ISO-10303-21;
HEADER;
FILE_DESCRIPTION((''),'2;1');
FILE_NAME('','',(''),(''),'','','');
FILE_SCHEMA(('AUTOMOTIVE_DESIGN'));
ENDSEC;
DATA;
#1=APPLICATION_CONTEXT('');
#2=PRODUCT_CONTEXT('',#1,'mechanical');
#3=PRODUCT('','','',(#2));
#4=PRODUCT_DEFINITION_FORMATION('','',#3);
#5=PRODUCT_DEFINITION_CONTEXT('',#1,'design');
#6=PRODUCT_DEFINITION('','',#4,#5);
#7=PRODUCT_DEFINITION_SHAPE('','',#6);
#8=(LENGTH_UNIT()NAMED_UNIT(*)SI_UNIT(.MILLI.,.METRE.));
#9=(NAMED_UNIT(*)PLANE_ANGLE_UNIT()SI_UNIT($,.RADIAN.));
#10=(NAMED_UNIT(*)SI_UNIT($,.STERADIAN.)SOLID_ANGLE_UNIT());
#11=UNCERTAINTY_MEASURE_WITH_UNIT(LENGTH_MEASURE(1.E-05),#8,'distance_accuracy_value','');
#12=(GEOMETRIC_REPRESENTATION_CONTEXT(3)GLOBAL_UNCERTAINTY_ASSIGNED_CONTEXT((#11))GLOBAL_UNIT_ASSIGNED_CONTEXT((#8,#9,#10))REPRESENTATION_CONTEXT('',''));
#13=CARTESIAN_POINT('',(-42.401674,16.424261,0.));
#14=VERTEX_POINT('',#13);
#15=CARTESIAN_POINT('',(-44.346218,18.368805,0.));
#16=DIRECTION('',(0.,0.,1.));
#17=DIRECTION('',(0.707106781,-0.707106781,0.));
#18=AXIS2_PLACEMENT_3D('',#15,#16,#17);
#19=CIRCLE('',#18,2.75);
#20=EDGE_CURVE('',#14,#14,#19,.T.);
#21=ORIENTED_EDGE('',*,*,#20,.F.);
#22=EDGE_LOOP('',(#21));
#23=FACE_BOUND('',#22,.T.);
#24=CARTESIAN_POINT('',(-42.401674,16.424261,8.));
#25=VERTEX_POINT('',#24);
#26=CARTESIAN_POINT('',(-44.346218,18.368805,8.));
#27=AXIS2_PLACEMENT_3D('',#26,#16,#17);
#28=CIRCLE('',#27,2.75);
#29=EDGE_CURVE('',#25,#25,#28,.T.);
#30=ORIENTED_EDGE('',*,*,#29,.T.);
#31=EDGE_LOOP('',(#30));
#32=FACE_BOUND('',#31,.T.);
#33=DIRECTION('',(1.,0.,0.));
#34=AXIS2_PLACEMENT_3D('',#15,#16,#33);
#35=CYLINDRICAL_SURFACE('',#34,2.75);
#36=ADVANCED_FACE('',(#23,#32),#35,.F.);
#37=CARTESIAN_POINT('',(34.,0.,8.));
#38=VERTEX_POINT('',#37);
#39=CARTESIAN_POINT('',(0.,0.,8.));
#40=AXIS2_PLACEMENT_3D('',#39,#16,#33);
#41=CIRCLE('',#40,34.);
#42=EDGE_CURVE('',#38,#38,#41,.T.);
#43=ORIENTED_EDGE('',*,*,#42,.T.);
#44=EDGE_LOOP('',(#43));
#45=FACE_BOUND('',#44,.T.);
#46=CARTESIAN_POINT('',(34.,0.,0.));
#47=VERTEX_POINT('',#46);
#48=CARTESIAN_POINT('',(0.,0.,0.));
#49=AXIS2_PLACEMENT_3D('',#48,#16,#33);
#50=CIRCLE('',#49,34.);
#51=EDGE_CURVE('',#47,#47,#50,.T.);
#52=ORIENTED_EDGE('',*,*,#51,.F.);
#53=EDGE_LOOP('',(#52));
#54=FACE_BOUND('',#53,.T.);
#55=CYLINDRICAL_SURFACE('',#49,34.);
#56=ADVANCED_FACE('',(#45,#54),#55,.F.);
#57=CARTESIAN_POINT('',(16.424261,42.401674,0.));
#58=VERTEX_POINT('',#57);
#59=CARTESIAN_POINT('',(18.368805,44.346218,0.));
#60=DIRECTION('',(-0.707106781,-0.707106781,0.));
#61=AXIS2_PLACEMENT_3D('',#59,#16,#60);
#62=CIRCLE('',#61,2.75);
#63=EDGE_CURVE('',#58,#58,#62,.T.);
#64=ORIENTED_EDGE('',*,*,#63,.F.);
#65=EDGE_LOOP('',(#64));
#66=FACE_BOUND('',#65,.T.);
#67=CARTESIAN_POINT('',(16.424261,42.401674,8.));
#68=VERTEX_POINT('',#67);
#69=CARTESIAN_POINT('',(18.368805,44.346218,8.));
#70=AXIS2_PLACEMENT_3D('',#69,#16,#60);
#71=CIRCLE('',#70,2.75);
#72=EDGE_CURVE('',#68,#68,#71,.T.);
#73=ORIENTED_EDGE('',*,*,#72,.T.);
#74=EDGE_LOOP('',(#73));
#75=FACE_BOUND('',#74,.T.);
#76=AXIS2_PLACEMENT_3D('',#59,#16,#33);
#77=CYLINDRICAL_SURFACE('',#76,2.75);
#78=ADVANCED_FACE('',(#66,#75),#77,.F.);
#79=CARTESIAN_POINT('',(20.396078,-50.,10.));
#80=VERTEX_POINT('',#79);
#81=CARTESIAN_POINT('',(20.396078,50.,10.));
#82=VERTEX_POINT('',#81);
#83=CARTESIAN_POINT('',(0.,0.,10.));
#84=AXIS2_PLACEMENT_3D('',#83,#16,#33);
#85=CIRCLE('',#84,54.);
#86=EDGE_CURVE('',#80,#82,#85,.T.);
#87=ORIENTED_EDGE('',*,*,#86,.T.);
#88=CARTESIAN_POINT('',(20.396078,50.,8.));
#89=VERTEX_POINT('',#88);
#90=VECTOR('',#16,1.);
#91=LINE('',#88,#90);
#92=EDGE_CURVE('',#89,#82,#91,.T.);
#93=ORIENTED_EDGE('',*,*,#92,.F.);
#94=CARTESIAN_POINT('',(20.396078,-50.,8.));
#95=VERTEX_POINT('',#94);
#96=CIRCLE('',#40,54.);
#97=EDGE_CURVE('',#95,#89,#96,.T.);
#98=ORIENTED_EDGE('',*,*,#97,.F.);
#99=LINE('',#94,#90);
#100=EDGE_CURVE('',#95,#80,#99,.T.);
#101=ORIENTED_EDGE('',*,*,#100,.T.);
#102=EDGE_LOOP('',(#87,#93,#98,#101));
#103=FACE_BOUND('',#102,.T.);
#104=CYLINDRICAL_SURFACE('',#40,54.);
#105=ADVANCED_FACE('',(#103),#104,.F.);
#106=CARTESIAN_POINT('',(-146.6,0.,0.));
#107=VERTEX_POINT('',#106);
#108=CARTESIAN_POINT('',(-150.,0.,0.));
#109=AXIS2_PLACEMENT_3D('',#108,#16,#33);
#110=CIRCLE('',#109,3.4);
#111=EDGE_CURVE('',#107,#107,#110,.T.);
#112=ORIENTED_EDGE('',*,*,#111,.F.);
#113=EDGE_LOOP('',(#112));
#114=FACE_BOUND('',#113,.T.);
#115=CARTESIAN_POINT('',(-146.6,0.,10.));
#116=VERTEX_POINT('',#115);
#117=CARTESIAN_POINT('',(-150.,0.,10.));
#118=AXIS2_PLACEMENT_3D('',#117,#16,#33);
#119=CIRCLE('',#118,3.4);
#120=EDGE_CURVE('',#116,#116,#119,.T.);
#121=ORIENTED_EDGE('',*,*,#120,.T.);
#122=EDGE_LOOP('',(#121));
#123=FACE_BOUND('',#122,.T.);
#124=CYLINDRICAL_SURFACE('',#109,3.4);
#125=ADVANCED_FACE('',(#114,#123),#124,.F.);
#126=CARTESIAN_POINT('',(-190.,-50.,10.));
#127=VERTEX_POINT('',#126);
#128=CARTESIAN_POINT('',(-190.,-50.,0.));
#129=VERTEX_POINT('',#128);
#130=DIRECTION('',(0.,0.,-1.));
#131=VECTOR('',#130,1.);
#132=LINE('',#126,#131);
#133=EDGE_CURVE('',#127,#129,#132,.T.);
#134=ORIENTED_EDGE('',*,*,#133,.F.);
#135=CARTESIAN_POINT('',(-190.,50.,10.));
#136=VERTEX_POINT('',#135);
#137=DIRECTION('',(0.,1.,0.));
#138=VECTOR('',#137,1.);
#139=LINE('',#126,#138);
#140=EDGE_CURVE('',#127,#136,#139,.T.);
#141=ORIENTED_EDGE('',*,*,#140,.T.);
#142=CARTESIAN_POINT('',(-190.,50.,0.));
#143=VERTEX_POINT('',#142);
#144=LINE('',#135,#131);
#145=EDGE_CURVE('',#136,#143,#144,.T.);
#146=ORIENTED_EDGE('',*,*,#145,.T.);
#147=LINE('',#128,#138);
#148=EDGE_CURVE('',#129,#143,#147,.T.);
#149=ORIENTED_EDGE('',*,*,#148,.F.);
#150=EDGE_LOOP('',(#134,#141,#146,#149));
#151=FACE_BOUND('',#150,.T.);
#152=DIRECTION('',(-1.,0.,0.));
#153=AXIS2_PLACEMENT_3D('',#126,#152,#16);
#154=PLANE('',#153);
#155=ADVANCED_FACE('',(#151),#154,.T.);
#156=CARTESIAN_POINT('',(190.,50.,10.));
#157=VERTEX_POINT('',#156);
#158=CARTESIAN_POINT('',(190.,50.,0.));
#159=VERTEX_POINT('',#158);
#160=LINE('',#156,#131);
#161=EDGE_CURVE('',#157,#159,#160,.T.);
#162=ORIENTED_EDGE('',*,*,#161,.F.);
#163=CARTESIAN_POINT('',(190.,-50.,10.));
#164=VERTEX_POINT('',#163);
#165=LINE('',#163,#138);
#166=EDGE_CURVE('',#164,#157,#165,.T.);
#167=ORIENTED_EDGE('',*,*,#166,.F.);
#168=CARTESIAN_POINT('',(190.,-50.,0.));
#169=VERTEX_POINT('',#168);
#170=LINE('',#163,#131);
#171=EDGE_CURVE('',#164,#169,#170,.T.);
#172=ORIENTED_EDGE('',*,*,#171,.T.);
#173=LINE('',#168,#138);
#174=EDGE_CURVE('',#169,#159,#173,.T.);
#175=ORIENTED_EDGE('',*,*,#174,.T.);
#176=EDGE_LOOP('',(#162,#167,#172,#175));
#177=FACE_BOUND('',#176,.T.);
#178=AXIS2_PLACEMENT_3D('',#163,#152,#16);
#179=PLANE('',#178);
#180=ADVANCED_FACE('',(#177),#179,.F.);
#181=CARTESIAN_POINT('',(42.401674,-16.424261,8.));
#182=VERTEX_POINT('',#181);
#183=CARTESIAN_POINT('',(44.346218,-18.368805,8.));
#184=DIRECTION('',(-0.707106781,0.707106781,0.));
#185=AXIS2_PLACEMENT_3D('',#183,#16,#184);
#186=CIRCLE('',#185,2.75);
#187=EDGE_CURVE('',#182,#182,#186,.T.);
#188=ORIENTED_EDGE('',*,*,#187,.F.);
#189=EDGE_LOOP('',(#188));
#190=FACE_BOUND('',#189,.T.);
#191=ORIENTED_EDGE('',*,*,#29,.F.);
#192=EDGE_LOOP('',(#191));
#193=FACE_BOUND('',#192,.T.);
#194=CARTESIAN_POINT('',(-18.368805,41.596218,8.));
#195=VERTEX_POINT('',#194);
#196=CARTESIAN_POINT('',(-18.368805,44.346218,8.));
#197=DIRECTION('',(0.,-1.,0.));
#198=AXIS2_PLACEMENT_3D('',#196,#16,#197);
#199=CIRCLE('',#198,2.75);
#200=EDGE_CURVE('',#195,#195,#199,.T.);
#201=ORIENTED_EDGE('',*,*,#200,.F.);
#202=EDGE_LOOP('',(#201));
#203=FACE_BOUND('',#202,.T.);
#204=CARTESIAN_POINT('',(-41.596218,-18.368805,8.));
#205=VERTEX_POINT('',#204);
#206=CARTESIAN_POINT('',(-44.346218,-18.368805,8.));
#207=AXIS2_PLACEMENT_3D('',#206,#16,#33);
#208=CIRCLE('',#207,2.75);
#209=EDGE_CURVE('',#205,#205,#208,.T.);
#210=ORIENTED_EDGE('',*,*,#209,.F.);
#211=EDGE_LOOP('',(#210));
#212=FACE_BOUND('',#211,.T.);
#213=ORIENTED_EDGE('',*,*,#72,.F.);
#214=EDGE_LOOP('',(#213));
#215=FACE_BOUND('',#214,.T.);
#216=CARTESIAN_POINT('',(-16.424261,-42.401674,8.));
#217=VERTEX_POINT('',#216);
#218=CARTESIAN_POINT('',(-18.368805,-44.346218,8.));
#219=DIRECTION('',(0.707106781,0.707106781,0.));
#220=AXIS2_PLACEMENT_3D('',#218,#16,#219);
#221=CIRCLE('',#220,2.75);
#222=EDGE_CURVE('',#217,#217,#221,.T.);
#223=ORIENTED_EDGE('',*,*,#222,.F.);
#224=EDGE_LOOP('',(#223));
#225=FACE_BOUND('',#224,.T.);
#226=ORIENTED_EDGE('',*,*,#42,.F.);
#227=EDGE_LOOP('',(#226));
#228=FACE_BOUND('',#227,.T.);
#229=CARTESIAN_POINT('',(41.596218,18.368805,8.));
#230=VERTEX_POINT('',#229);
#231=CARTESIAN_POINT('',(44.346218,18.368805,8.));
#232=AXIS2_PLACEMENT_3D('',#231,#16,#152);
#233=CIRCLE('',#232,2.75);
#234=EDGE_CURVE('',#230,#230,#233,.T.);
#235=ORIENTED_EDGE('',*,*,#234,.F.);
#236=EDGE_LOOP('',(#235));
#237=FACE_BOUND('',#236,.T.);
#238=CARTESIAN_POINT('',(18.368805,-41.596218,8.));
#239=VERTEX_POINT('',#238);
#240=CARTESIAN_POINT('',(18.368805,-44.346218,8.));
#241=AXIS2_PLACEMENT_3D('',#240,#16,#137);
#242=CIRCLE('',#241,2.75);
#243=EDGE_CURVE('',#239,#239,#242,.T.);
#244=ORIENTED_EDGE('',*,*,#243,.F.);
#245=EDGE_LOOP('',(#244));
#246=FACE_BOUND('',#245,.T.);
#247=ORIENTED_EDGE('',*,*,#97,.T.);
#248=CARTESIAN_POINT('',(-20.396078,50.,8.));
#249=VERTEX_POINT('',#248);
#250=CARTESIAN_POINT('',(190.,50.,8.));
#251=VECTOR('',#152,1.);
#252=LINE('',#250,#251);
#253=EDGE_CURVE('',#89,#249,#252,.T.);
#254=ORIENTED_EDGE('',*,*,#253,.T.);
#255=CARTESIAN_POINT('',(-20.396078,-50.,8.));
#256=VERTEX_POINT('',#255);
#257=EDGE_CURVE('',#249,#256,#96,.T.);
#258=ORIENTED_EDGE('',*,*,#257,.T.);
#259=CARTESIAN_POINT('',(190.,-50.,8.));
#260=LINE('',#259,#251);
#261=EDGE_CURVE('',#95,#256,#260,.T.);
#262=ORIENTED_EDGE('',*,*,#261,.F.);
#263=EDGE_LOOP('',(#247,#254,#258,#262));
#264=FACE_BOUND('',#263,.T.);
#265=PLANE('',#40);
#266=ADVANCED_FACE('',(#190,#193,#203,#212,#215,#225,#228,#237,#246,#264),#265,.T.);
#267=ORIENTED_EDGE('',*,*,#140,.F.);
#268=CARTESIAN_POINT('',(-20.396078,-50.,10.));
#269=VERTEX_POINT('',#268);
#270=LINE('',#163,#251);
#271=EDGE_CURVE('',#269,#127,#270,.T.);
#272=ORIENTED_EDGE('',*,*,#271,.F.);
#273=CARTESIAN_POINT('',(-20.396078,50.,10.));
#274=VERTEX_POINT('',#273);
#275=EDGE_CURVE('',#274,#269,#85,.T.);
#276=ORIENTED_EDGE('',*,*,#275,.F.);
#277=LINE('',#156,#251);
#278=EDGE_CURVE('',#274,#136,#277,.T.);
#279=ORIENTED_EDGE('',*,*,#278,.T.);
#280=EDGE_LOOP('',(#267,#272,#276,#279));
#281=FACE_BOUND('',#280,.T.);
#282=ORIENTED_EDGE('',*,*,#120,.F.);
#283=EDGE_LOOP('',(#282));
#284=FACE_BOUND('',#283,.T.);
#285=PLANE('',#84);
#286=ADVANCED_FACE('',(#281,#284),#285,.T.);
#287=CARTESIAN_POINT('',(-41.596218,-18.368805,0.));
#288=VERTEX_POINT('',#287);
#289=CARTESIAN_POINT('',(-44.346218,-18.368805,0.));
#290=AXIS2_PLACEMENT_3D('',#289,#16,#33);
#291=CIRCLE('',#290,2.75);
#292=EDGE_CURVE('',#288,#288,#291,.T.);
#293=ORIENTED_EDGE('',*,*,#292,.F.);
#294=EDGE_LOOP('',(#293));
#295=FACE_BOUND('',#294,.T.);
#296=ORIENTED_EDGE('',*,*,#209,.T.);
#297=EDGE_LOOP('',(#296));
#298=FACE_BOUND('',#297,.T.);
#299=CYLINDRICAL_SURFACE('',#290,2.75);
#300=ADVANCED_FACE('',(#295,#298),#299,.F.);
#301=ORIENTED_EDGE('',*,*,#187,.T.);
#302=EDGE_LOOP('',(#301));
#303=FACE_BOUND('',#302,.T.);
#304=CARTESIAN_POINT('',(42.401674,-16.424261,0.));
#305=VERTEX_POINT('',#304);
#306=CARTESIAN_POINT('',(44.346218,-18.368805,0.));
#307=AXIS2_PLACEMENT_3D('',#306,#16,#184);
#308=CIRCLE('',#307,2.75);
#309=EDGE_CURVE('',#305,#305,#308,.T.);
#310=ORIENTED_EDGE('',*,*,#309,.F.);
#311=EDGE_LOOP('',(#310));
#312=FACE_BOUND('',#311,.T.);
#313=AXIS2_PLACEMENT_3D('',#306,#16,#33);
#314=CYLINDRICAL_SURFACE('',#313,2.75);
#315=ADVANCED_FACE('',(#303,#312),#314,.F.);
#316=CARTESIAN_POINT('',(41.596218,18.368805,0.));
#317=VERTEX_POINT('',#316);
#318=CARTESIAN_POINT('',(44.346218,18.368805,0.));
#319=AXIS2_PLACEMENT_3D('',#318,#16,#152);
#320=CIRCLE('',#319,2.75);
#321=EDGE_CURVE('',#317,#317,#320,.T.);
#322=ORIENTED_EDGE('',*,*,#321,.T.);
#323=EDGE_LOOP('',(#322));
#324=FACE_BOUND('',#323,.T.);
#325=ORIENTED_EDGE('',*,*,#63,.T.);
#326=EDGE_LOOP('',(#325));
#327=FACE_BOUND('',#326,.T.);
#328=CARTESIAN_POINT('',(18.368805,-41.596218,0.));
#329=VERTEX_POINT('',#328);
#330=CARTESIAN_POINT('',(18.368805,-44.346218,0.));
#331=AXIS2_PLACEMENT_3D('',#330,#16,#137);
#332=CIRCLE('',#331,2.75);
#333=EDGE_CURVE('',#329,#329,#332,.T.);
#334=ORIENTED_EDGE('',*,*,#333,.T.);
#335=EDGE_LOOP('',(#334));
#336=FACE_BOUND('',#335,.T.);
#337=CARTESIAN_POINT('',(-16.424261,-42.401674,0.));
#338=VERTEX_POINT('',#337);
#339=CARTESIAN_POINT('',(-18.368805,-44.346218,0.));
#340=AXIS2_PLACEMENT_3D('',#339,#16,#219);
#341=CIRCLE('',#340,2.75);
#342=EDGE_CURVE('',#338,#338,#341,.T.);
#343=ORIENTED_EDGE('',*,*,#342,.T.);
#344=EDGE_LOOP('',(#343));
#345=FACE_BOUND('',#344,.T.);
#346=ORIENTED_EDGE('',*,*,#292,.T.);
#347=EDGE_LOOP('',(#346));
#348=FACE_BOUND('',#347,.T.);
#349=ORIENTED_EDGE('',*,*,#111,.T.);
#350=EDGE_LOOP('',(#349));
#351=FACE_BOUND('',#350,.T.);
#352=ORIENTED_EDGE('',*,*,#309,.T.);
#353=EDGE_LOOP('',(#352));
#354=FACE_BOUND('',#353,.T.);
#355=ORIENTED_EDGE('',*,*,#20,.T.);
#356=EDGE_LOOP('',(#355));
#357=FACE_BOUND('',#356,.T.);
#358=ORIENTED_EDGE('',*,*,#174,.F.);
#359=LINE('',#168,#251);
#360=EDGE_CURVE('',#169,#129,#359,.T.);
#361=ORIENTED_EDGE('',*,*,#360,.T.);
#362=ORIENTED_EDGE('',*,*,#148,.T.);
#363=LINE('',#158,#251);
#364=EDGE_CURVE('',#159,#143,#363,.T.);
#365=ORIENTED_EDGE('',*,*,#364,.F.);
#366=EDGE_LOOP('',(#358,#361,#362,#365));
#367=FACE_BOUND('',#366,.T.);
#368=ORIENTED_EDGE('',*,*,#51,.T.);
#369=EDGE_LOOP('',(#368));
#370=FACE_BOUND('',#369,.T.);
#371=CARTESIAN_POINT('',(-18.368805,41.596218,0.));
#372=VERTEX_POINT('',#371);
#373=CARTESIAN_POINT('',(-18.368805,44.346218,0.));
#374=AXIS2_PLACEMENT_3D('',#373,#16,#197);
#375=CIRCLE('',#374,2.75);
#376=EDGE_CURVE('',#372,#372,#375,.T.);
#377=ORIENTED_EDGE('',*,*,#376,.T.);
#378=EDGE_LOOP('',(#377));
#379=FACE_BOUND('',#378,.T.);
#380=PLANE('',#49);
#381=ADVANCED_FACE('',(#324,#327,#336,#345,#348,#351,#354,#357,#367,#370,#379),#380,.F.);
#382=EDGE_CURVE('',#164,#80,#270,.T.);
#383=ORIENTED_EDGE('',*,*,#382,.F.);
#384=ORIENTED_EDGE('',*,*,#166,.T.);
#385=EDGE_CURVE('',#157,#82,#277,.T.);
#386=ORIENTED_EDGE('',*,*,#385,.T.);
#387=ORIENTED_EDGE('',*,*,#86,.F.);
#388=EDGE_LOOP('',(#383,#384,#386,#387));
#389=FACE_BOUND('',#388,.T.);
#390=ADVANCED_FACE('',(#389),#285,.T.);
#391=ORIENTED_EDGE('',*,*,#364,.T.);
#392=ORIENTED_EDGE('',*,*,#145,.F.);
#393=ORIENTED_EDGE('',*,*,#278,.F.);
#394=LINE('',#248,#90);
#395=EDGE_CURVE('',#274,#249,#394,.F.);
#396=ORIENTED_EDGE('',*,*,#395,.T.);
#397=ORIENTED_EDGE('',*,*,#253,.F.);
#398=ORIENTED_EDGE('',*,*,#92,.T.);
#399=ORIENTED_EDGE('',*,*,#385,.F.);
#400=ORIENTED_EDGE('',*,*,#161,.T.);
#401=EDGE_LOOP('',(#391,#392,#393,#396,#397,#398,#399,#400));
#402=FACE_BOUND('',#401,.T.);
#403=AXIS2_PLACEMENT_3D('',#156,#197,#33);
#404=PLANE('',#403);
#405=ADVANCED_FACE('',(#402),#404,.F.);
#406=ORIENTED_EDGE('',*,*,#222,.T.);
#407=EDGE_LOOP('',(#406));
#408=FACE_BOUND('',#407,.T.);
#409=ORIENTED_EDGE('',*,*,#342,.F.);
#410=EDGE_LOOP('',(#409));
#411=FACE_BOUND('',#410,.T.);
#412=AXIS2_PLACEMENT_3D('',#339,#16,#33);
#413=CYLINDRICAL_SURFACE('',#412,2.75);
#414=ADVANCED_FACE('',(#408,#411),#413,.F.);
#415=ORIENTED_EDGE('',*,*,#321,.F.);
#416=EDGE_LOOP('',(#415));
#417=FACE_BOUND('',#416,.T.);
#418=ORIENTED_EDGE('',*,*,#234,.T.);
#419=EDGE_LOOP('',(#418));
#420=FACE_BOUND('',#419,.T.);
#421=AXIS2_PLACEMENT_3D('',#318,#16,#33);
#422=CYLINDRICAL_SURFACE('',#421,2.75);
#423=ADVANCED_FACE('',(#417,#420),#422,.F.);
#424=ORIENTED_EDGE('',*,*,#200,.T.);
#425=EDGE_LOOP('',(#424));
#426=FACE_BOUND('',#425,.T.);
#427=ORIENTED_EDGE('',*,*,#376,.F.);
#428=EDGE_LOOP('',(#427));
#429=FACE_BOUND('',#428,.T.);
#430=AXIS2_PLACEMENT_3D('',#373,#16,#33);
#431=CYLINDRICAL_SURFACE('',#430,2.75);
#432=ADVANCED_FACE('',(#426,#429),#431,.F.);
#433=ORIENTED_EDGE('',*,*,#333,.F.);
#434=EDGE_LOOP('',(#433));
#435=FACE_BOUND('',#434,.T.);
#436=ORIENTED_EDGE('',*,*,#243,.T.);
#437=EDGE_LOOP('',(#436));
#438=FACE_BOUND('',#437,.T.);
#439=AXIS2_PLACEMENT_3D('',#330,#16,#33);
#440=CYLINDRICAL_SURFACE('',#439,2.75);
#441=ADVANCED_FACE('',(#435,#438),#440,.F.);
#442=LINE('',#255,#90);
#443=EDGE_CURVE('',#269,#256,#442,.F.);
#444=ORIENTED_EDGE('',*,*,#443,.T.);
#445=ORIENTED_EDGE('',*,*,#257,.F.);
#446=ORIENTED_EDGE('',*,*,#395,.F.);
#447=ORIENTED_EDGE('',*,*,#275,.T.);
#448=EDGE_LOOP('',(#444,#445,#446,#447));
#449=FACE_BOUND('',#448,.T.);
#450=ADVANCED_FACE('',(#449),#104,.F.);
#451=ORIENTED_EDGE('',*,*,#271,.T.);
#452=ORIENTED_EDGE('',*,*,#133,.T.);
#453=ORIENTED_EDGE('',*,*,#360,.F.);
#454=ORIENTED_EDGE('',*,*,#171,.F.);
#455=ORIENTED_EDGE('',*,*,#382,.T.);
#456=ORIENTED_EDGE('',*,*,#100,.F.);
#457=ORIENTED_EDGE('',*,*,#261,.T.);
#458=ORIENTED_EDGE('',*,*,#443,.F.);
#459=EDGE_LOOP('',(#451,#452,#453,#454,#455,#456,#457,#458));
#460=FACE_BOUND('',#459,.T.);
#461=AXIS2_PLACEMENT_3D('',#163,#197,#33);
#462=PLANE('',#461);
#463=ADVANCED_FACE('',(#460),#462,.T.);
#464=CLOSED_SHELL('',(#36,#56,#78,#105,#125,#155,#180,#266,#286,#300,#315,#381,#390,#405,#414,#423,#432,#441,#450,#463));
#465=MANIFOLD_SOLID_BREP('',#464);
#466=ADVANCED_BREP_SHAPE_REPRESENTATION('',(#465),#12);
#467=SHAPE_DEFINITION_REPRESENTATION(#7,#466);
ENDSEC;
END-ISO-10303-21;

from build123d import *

# Parameters (mm, degrees)
SCHIZZO1_W                   = 380
SCHIZZO1_H                   = 100
ESTRUSIONE_ESTRUSIONE1_DEPTH = 10
SCHIZZO2_R                   = 54
TAGLIO_ESTRUSIONE1_DEPTH     = 2
SCHIZZO3_R                   = 2.75
TAGLIO_ESTRUSIONE2_DEPTH     = 197.631635298
RIPETIZIONECIRCOLARE1_COUNT  = 8
SCHIZZO4_R                   = 34
TAGLIO_ESTRUSIONE3_DEPTH     = 197.631635298
SCHIZZO5_R                   = 3.4
TAGLIO_ESTRUSIONE4_DEPTH     = 197.723155729


with BuildPart() as part:
    # Schizzo1 → Estrusione-Estrusione1 (new body)
    with BuildSketch(Plane.XY):
        Rectangle(SCHIZZO1_W, SCHIZZO1_H)
    extrude(amount=ESTRUSIONE_ESTRUSIONE1_DEPTH)

    # Schizzo2 → Taglio-Estrusione1 (cut)
    with BuildSketch(Plane.XY.offset(10)):
        Circle(SCHIZZO2_R)
    extrude(amount=-TAGLIO_ESTRUSIONE1_DEPTH, mode=Mode.SUBTRACT)

    # Schizzo3 → Taglio-Estrusione2 (cut, through all)
    with BuildSketch(Plane.XY.offset(8)):
        with Locations((-44.346217561, -18.368804754)):
            Circle(SCHIZZO3_R)
    taglio_estrusione2 = extrude(amount=-TAGLIO_ESTRUSIONE2_DEPTH, mode=Mode.SUBTRACT)

    # RipetizioneCircolare1: Taglio-Estrusione2 ×8 about axis
    ripetizionecircolare1_axis = Axis((0, 0, 0), (0, 0, 1))
    for i in range(1, RIPETIZIONECIRCOLARE1_COUNT):
        add(taglio_estrusione2.rotate(ripetizionecircolare1_axis, i * 360 / RIPETIZIONECIRCOLARE1_COUNT), mode=Mode.SUBTRACT)

    # Schizzo4 → Taglio-Estrusione3 (cut, through all)
    with BuildSketch(Plane.XY.offset(8)):
        Circle(SCHIZZO4_R)
    extrude(amount=-TAGLIO_ESTRUSIONE3_DEPTH, mode=Mode.SUBTRACT)

    # Schizzo5 → Taglio-Estrusione4 (cut, through all)
    with BuildSketch(Plane.XY.offset(10)):
        with Locations((-150, 0)):
            Circle(SCHIZZO5_R)
    extrude(amount=-TAGLIO_ESTRUSIONE4_DEPTH, mode=Mode.SUBTRACT)


solid = part.part
